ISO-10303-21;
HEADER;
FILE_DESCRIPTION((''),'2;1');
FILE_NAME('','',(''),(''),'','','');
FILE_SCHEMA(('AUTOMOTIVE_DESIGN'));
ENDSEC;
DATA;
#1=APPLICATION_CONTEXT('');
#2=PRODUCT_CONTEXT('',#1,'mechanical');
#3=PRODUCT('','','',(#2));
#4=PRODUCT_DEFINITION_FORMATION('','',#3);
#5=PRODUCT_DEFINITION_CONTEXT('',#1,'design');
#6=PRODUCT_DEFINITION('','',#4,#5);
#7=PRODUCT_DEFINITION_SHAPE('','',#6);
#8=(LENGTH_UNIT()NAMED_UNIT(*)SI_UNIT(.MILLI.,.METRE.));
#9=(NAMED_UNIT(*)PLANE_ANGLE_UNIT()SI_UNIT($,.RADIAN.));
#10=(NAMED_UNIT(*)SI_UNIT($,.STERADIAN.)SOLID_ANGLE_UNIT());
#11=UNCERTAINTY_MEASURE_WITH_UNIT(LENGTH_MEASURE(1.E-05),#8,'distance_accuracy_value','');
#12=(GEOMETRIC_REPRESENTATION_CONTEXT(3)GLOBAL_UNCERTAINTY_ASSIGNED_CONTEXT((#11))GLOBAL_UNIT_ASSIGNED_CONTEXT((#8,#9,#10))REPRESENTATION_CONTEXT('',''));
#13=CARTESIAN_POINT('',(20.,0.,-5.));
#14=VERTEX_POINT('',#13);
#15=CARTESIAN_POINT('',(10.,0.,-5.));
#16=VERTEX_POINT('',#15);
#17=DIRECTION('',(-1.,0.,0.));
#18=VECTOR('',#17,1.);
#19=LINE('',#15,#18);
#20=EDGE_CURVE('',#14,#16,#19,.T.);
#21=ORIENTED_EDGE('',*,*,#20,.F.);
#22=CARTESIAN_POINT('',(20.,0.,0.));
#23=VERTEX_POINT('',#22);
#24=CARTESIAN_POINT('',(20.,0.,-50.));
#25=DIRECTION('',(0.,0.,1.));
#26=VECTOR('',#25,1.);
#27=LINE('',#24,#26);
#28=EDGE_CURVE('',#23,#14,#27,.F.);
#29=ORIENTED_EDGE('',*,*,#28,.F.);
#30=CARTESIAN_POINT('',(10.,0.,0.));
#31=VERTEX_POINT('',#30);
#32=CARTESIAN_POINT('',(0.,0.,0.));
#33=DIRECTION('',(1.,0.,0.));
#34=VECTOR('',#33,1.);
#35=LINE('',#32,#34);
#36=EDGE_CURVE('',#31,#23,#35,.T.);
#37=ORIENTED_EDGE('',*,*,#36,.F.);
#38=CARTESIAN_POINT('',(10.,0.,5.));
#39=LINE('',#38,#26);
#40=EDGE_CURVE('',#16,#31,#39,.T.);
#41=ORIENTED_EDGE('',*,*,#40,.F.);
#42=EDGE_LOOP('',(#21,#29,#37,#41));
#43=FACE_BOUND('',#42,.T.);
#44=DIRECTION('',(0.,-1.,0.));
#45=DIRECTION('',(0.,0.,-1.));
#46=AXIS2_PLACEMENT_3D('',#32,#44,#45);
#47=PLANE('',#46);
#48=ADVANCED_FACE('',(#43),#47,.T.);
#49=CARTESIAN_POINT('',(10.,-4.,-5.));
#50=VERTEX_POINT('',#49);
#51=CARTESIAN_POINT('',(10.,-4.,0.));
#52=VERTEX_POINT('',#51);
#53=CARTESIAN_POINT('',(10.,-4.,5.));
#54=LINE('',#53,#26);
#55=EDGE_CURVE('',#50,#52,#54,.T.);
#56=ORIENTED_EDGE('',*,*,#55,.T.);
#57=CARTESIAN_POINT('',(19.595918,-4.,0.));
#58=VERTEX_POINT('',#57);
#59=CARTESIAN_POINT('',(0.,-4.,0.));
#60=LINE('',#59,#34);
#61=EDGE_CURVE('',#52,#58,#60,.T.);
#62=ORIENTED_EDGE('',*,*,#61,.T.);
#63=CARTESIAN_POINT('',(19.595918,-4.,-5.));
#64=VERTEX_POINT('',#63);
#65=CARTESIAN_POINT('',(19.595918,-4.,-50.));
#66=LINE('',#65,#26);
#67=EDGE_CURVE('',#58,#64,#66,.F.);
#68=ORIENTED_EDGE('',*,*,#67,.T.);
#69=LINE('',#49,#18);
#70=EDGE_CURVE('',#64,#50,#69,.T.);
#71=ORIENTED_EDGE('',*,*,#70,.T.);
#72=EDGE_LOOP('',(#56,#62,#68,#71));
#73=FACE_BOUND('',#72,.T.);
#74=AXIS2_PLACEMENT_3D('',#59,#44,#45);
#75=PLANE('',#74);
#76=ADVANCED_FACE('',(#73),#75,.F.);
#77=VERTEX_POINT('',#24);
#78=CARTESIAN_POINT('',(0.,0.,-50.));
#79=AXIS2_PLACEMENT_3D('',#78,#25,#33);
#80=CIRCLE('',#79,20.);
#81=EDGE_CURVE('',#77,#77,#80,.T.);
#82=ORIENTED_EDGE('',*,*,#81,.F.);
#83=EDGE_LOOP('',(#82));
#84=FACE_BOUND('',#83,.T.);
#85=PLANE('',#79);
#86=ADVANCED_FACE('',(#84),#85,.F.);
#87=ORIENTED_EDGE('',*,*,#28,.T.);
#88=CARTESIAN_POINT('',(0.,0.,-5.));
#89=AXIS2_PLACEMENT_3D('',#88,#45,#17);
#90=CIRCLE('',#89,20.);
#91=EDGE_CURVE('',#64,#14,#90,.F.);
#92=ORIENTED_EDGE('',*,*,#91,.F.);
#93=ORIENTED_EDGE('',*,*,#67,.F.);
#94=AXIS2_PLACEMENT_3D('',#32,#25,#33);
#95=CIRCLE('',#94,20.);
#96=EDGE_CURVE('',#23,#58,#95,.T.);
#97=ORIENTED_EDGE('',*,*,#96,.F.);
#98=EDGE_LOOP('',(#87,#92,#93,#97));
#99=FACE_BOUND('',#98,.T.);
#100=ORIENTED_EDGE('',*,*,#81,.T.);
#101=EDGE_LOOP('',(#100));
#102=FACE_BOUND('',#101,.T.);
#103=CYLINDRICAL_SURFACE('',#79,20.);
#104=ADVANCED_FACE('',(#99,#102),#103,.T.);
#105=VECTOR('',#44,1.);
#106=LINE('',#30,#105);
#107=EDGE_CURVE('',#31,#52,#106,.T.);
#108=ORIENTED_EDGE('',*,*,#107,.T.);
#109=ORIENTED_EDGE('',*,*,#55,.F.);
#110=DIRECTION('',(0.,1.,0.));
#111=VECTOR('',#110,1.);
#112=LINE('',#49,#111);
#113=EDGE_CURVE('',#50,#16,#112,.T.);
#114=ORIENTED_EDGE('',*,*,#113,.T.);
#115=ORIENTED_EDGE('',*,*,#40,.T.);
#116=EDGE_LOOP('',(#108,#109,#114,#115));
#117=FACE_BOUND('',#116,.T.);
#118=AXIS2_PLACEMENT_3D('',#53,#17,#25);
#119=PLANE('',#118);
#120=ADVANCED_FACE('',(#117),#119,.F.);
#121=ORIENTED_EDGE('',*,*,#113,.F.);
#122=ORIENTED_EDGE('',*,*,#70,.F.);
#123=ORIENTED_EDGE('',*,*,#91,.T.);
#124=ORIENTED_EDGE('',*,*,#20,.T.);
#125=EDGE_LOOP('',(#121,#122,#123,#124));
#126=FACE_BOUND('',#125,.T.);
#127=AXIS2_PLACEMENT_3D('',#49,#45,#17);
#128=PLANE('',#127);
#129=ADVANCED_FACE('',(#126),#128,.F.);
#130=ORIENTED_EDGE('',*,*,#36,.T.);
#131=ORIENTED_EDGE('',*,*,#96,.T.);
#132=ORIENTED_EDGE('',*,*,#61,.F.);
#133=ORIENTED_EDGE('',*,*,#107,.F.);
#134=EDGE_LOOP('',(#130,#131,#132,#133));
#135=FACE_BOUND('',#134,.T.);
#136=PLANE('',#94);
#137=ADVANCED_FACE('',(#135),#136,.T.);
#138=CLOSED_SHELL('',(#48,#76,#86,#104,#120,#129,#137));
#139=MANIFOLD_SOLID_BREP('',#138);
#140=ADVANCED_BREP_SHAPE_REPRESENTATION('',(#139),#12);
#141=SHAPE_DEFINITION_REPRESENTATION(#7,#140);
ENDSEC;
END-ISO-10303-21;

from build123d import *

# Parameters (mm, degrees)
SKETCH_1_R          = 20
EXTRUDE_1_DEPTH     = 50
SKETCH_2_W          = 30
SKETCH_2_H          = 10
CUT_EXTRUDE_1_DEPTH = 4


with BuildPart() as part:
    # 草图1 → 凸台-拉伸1 (new body)
    with BuildSketch(Plane.XY):
        Circle(SKETCH_1_R)
    extrude(amount=-EXTRUDE_1_DEPTH)

    # 草图2 → 切除-拉伸1 (cut)
    with BuildSketch(Plane(origin=(0, 0, 0), x_dir=(1, 0, 0), z_dir=(0, 1, 0))):
        with Locations((25, 0)):
            Rectangle(SKETCH_2_W, SKETCH_2_H)
    extrude(amount=-CUT_EXTRUDE_1_DEPTH, mode=Mode.SUBTRACT)


solid = part.part
